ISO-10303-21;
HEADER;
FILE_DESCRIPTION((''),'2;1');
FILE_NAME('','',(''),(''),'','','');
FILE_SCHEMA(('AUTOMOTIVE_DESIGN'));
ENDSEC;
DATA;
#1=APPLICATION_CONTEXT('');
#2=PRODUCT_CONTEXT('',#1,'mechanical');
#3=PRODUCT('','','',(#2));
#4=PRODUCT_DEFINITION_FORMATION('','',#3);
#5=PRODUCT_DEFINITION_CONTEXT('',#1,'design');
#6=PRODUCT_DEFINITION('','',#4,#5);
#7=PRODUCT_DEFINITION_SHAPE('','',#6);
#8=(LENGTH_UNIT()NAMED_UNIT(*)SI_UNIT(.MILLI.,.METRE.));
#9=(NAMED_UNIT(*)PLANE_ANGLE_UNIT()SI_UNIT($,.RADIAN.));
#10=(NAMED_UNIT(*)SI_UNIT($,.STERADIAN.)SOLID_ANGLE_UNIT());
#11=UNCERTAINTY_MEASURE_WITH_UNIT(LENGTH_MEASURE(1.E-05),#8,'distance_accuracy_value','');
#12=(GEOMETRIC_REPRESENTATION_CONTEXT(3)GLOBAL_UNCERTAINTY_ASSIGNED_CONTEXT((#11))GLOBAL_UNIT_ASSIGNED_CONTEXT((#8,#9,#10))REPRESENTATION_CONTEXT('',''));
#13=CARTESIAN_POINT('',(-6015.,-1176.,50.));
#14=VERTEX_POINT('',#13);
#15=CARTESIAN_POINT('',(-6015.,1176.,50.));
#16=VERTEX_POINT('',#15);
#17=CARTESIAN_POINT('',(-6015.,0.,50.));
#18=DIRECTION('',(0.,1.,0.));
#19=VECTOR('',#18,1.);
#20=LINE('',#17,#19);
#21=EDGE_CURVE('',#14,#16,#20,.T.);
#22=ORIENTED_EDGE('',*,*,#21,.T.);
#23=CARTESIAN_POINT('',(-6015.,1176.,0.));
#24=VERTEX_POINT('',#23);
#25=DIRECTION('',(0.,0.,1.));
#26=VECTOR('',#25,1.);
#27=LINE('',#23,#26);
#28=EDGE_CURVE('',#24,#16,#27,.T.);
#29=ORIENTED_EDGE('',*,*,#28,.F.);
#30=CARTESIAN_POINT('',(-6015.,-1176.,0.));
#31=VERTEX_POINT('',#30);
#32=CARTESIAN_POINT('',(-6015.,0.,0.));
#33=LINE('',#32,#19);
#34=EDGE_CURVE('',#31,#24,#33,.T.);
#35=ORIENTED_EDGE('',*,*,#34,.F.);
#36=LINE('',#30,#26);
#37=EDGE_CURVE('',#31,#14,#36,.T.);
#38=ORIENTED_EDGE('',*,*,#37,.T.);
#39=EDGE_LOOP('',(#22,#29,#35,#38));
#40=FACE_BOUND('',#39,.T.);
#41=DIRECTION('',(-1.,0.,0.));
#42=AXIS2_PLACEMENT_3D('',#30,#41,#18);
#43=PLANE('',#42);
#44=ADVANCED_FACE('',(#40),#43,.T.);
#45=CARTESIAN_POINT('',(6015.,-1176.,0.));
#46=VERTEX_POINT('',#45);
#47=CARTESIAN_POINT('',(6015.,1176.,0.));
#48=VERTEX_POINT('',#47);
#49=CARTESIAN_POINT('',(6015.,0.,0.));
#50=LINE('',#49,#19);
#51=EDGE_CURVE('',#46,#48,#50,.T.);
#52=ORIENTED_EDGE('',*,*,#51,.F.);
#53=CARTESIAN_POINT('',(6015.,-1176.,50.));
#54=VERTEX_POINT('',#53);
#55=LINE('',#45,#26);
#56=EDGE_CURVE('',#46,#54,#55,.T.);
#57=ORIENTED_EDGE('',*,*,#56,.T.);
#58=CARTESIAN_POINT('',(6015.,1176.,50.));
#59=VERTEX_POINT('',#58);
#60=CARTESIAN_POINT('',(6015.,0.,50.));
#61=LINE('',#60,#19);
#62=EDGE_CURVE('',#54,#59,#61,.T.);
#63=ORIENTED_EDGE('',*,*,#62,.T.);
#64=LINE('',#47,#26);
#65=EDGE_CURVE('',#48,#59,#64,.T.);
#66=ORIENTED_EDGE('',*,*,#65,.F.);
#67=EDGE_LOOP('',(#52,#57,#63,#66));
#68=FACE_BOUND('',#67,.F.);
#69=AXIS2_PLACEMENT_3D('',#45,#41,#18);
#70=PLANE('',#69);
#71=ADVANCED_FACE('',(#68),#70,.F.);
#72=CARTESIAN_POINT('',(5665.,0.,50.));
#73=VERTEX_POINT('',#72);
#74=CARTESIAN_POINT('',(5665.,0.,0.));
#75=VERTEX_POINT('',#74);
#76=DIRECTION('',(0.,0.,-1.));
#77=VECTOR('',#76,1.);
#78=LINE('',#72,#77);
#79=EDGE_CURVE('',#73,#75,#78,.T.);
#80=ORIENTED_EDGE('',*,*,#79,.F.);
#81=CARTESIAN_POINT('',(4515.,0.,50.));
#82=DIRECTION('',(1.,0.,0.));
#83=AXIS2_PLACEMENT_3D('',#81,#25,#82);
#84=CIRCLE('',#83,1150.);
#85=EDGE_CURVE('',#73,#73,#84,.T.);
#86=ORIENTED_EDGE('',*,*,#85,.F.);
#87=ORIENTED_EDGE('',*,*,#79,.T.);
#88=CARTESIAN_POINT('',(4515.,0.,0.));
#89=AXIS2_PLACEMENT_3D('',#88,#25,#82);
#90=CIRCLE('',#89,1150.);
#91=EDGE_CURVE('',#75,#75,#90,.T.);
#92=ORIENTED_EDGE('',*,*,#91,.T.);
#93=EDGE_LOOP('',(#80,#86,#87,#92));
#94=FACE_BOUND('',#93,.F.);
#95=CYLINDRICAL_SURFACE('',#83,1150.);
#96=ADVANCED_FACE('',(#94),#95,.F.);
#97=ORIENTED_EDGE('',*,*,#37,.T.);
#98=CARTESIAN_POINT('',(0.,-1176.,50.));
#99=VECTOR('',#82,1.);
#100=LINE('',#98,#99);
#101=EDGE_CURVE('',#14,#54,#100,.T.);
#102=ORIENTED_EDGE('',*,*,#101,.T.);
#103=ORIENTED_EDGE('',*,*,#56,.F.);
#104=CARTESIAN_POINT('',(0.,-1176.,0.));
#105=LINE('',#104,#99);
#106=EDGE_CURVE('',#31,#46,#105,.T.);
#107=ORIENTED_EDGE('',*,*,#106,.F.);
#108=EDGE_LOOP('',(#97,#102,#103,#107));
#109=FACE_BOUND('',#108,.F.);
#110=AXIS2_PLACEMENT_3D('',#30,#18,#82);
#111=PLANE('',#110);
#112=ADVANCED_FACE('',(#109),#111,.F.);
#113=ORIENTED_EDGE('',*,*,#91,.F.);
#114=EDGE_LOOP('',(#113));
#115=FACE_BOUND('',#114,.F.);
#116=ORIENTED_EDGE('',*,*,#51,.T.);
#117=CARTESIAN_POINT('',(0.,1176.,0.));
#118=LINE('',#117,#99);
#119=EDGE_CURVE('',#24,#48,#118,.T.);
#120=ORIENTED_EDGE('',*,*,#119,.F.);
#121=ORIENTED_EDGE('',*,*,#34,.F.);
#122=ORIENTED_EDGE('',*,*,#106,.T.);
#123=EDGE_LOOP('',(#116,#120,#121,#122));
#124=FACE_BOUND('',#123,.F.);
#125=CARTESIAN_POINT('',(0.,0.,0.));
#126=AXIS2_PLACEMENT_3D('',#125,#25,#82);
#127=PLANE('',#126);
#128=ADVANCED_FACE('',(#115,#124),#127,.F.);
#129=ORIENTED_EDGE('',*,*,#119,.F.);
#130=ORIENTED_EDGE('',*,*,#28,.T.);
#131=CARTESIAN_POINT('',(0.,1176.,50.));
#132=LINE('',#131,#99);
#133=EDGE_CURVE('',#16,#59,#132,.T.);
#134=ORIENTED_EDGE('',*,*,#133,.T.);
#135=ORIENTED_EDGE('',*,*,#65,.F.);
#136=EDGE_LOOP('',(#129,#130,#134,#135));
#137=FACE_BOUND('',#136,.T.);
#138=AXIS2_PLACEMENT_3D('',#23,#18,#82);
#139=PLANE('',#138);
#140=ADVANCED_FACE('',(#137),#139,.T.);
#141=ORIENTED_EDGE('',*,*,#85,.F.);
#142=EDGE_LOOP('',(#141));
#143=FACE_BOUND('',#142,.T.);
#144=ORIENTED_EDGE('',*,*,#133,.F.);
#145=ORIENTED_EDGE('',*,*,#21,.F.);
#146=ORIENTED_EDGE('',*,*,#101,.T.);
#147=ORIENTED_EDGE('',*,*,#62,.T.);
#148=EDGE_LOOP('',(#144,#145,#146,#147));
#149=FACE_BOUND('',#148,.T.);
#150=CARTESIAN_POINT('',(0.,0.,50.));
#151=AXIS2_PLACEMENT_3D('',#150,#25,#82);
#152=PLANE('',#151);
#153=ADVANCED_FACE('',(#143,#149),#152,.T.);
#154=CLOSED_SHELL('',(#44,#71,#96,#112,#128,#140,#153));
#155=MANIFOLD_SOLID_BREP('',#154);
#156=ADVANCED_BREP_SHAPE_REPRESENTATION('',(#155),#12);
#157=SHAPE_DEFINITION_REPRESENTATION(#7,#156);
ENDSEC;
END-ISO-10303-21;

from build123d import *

# Parameters (mm, degrees)
F0_W     = 12030
F0_H     = 2352
F4_DEPTH = 50
F2_R     = 1150
F3_DEPTH = 50.001


with BuildPart() as f4:
    # F0 (on Top) → F4 (new body)
    with BuildSketch(Plane.XY):
        Rectangle(F0_W, F0_H)
    extrude(amount=F4_DEPTH)

    # F2 (on face) → F3 (cut, through all)
    with BuildSketch(Plane.XY.offset(50)):
        with Locations((4515, 0)):
            Circle(F2_R)
    extrude(amount=-F3_DEPTH, mode=Mode.SUBTRACT)


solid = f4.part
